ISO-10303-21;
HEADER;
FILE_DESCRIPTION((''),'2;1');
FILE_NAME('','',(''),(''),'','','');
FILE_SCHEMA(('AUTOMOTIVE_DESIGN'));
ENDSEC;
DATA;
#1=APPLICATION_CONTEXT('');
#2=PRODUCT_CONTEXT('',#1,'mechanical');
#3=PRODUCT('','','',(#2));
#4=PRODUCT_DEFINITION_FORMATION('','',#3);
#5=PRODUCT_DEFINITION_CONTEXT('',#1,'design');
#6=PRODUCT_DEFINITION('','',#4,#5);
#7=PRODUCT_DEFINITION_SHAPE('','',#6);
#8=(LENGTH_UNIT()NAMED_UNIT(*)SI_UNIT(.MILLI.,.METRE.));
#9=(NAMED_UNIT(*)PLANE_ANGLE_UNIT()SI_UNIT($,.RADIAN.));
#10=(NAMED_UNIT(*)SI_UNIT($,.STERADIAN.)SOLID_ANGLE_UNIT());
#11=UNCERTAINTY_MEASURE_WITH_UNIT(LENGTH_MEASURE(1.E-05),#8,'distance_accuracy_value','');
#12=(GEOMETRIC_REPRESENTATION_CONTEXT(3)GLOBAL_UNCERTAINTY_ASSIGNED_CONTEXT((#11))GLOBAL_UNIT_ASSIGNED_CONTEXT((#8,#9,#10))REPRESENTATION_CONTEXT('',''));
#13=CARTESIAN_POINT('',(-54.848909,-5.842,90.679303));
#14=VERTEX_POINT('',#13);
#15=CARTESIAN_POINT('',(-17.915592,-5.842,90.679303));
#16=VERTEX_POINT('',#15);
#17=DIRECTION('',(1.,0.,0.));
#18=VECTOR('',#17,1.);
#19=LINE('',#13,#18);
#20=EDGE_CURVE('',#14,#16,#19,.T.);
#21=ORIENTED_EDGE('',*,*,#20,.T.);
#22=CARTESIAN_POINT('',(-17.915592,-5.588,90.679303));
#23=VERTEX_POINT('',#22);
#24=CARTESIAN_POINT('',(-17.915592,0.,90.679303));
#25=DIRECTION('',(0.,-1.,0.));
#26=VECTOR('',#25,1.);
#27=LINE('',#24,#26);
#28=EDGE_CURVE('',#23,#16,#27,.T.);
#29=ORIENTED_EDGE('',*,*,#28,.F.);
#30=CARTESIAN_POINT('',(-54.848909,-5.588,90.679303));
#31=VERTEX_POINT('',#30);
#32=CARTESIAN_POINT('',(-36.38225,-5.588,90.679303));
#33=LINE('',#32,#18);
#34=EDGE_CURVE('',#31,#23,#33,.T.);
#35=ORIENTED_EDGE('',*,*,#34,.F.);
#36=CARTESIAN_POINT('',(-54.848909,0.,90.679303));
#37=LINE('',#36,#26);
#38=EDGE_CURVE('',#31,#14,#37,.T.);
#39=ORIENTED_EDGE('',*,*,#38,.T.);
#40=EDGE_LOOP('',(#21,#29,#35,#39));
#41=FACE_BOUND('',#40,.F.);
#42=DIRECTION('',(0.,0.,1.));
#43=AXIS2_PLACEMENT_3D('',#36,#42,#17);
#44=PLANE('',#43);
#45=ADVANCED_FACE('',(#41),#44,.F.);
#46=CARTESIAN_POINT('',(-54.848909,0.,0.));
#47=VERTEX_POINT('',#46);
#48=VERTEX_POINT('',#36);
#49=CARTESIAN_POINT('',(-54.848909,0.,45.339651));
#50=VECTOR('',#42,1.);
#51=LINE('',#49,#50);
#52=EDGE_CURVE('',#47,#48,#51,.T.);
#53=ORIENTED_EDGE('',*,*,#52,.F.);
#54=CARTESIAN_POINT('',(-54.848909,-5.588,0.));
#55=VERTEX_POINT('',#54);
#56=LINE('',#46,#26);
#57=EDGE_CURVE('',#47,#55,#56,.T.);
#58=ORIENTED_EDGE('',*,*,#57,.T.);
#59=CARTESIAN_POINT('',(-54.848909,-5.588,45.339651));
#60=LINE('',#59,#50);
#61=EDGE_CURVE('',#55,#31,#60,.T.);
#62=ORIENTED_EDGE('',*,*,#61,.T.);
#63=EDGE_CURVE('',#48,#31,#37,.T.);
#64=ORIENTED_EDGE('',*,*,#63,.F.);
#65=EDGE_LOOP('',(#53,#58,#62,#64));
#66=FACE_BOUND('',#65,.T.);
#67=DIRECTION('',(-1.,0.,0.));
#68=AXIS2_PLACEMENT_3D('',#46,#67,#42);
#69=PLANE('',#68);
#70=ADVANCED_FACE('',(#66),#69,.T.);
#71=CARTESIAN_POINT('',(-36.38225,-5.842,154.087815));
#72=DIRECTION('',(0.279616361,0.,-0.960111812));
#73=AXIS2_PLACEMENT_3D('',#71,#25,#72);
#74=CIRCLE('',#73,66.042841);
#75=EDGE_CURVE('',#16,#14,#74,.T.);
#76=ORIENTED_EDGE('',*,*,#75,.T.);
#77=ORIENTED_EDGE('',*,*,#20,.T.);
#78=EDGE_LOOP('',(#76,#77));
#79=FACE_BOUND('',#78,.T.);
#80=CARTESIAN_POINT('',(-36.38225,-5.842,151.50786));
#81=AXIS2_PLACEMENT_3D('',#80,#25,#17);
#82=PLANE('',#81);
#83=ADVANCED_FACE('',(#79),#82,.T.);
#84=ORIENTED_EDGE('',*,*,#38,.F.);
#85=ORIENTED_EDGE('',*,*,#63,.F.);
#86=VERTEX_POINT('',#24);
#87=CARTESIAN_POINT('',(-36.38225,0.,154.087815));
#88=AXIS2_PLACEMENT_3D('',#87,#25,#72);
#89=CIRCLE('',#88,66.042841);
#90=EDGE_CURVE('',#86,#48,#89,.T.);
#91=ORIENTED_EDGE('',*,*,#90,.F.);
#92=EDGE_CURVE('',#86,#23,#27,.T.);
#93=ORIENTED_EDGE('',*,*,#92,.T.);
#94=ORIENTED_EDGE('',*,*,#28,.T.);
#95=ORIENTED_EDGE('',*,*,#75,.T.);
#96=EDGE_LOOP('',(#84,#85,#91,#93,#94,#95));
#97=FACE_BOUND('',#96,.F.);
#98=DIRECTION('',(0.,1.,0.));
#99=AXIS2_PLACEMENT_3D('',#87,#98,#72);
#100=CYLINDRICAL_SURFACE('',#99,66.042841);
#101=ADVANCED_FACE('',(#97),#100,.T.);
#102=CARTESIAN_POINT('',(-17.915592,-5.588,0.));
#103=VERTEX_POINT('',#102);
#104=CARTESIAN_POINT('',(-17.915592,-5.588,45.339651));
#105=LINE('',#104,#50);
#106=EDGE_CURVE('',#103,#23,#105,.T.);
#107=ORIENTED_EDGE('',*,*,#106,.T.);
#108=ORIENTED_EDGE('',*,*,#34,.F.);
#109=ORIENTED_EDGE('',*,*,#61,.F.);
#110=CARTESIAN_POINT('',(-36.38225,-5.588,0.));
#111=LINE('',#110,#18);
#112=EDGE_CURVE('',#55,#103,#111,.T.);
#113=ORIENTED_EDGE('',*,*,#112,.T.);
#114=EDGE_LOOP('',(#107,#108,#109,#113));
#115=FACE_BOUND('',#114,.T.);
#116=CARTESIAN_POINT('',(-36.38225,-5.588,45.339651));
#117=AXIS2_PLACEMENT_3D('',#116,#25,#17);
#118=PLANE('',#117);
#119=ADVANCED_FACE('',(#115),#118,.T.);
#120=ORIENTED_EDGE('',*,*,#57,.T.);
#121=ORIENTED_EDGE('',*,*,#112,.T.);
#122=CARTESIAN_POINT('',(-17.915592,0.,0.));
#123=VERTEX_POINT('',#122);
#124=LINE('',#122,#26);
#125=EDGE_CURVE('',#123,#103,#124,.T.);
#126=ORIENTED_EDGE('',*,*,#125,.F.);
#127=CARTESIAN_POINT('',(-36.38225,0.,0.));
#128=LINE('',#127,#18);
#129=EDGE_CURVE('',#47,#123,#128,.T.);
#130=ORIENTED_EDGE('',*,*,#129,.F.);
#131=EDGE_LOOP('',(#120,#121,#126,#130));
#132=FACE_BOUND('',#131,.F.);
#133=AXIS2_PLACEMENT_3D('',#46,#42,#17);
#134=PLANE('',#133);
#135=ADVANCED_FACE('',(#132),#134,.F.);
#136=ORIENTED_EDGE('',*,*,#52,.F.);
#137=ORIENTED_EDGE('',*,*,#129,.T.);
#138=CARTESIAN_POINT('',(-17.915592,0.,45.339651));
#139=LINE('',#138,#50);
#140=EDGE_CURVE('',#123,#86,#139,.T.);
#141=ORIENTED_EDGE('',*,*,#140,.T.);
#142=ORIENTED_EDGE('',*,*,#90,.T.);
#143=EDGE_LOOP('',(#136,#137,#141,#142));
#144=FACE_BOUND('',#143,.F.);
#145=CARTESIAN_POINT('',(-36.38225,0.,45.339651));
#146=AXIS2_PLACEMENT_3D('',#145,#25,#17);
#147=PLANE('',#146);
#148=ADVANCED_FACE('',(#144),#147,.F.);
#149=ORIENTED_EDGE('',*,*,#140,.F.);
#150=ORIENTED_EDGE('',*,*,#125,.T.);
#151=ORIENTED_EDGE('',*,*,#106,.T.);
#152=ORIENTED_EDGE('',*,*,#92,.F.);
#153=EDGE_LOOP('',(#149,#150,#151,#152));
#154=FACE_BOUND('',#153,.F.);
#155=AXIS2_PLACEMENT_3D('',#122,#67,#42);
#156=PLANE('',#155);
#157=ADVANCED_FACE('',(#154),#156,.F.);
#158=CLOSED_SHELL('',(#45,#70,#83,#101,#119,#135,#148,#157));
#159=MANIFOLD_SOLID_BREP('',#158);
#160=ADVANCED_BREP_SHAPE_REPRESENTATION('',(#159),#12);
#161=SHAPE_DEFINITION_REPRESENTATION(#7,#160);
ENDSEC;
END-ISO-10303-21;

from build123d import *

# Parameters (mm, degrees)
F1_DEPTH = 5.842
F0_W     = 36.9333177805
F0_H     = 90.6793028116
F2_DEPTH = 5.588


with BuildPart() as f1:
    # F0 (on Front) → F1 (new body)
    with BuildSketch(Plane.XZ):
        with BuildLine():
            Line((-54.8489093781, 90.6793028116), (-17.9155915976, 90.6793028116))
            ThreePointArc((-17.9155915976, 90.6793028116), (-36.3822504878, 220.1306557061), (-54.8489093781, 90.6793028116))
        make_face()
    extrude(amount=F1_DEPTH)

    # F0 (on Front) → F2 (join)
    with BuildSketch(Plane.XZ):
        with Locations((-36.3822504878, 45.3396514058)):
            Rectangle(F0_W, F0_H)
    extrude(amount=F2_DEPTH)


solid = f1.part
